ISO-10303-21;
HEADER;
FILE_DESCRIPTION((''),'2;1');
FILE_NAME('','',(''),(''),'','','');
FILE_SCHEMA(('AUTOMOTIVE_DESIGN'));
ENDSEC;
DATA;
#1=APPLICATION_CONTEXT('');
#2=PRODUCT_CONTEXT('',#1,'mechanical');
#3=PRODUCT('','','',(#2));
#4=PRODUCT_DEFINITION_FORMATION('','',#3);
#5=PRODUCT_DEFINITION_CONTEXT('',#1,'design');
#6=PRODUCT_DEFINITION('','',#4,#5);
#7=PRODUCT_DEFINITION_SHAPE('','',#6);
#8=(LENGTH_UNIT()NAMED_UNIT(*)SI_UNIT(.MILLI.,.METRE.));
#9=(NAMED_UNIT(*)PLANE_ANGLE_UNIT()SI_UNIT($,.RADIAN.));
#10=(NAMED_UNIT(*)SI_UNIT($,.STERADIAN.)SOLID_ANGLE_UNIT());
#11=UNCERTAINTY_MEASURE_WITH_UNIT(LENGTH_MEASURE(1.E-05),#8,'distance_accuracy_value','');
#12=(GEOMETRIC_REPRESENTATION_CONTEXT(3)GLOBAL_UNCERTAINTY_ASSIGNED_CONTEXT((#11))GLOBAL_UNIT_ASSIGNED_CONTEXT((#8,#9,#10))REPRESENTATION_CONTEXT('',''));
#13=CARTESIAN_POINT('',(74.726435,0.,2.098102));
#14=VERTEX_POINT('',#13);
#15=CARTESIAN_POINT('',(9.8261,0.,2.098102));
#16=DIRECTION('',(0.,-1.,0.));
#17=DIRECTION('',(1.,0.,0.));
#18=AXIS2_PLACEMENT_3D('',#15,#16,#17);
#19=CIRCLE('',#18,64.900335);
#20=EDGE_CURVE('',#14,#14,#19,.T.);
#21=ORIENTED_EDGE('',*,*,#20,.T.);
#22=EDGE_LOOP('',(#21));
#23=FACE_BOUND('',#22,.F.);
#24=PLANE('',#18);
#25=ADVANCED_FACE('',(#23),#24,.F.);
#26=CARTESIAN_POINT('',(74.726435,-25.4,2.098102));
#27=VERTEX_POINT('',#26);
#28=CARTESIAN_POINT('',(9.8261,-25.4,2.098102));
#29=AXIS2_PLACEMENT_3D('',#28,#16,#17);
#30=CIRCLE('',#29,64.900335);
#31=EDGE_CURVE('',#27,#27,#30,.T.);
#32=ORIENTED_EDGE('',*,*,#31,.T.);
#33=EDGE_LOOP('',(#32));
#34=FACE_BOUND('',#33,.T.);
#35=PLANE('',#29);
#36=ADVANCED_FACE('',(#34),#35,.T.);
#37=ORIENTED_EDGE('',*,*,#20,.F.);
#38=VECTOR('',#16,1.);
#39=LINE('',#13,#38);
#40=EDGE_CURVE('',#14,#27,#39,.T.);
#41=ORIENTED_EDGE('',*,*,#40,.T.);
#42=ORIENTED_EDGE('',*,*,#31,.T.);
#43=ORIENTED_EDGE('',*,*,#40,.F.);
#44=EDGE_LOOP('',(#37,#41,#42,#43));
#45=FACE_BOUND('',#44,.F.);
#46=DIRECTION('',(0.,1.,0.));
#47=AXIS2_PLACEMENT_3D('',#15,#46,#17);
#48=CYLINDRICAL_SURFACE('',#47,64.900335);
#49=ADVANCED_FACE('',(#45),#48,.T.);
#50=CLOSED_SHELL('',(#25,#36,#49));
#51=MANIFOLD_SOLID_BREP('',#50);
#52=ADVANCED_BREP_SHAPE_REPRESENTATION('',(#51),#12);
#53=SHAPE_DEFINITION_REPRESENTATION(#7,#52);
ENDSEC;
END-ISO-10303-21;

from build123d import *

# Parameters (mm, degrees)
F0_R     = 64.9003347112
F0_R_2   = 52.4386371528
F0_R_3   = 43.9959794901
F0_R_4   = 37.3448373021
F0_R_5   = 31.039203736
F0_R_6   = 18.1186551222
F0_R_7   = 10.5868001137
F1_DEPTH = 25.4


with BuildPart() as f1:
    # F0 (on Front) → F1 (new body)
    with BuildSketch(Plane.XZ):
        with Locations((9.8261000866, 2.0981023724)):
            Circle(F0_R)
        with Locations((4.8875806308, 5.8475805975)):
            Circle(F0_R_2, mode=Mode.SUBTRACT)
        with Locations((4.8875806308, 5.8475805975)):
            Circle(F0_R_2)
        with Locations((7.0480087169, 6.4648558984)):
            Circle(F0_R_3, mode=Mode.SUBTRACT)
        with Locations((7.0480087169, 6.4648558984)):
            Circle(F0_R_3)
        with Locations((4.8038782369, 10.1760022451)):
            Circle(F0_R_4, mode=Mode.SUBTRACT)
        with Locations((4.8038782369, 10.1760022451)):
            Circle(F0_R_4)
        with Locations((5.109029089, 13.3810980395)):
            Circle(F0_R_5, mode=Mode.SUBTRACT)
        with Locations((5.109029089, 13.3810980395)):
            Circle(F0_R_5)
        with Locations((0.5840508599, 18.2566457309)):
            Circle(F0_R_6, mode=Mode.SUBTRACT)
        with Locations((0.5840508599, 18.2566457309)):
            Circle(F0_R_6)
        with Locations((2.0167203451, 20.3426098436)):
            Circle(F0_R_7, mode=Mode.SUBTRACT)
        with Locations((2.0167203451, 20.3426098436)):
            Circle(F0_R_7)
    extrude(amount=F1_DEPTH)


solid = f1.part
